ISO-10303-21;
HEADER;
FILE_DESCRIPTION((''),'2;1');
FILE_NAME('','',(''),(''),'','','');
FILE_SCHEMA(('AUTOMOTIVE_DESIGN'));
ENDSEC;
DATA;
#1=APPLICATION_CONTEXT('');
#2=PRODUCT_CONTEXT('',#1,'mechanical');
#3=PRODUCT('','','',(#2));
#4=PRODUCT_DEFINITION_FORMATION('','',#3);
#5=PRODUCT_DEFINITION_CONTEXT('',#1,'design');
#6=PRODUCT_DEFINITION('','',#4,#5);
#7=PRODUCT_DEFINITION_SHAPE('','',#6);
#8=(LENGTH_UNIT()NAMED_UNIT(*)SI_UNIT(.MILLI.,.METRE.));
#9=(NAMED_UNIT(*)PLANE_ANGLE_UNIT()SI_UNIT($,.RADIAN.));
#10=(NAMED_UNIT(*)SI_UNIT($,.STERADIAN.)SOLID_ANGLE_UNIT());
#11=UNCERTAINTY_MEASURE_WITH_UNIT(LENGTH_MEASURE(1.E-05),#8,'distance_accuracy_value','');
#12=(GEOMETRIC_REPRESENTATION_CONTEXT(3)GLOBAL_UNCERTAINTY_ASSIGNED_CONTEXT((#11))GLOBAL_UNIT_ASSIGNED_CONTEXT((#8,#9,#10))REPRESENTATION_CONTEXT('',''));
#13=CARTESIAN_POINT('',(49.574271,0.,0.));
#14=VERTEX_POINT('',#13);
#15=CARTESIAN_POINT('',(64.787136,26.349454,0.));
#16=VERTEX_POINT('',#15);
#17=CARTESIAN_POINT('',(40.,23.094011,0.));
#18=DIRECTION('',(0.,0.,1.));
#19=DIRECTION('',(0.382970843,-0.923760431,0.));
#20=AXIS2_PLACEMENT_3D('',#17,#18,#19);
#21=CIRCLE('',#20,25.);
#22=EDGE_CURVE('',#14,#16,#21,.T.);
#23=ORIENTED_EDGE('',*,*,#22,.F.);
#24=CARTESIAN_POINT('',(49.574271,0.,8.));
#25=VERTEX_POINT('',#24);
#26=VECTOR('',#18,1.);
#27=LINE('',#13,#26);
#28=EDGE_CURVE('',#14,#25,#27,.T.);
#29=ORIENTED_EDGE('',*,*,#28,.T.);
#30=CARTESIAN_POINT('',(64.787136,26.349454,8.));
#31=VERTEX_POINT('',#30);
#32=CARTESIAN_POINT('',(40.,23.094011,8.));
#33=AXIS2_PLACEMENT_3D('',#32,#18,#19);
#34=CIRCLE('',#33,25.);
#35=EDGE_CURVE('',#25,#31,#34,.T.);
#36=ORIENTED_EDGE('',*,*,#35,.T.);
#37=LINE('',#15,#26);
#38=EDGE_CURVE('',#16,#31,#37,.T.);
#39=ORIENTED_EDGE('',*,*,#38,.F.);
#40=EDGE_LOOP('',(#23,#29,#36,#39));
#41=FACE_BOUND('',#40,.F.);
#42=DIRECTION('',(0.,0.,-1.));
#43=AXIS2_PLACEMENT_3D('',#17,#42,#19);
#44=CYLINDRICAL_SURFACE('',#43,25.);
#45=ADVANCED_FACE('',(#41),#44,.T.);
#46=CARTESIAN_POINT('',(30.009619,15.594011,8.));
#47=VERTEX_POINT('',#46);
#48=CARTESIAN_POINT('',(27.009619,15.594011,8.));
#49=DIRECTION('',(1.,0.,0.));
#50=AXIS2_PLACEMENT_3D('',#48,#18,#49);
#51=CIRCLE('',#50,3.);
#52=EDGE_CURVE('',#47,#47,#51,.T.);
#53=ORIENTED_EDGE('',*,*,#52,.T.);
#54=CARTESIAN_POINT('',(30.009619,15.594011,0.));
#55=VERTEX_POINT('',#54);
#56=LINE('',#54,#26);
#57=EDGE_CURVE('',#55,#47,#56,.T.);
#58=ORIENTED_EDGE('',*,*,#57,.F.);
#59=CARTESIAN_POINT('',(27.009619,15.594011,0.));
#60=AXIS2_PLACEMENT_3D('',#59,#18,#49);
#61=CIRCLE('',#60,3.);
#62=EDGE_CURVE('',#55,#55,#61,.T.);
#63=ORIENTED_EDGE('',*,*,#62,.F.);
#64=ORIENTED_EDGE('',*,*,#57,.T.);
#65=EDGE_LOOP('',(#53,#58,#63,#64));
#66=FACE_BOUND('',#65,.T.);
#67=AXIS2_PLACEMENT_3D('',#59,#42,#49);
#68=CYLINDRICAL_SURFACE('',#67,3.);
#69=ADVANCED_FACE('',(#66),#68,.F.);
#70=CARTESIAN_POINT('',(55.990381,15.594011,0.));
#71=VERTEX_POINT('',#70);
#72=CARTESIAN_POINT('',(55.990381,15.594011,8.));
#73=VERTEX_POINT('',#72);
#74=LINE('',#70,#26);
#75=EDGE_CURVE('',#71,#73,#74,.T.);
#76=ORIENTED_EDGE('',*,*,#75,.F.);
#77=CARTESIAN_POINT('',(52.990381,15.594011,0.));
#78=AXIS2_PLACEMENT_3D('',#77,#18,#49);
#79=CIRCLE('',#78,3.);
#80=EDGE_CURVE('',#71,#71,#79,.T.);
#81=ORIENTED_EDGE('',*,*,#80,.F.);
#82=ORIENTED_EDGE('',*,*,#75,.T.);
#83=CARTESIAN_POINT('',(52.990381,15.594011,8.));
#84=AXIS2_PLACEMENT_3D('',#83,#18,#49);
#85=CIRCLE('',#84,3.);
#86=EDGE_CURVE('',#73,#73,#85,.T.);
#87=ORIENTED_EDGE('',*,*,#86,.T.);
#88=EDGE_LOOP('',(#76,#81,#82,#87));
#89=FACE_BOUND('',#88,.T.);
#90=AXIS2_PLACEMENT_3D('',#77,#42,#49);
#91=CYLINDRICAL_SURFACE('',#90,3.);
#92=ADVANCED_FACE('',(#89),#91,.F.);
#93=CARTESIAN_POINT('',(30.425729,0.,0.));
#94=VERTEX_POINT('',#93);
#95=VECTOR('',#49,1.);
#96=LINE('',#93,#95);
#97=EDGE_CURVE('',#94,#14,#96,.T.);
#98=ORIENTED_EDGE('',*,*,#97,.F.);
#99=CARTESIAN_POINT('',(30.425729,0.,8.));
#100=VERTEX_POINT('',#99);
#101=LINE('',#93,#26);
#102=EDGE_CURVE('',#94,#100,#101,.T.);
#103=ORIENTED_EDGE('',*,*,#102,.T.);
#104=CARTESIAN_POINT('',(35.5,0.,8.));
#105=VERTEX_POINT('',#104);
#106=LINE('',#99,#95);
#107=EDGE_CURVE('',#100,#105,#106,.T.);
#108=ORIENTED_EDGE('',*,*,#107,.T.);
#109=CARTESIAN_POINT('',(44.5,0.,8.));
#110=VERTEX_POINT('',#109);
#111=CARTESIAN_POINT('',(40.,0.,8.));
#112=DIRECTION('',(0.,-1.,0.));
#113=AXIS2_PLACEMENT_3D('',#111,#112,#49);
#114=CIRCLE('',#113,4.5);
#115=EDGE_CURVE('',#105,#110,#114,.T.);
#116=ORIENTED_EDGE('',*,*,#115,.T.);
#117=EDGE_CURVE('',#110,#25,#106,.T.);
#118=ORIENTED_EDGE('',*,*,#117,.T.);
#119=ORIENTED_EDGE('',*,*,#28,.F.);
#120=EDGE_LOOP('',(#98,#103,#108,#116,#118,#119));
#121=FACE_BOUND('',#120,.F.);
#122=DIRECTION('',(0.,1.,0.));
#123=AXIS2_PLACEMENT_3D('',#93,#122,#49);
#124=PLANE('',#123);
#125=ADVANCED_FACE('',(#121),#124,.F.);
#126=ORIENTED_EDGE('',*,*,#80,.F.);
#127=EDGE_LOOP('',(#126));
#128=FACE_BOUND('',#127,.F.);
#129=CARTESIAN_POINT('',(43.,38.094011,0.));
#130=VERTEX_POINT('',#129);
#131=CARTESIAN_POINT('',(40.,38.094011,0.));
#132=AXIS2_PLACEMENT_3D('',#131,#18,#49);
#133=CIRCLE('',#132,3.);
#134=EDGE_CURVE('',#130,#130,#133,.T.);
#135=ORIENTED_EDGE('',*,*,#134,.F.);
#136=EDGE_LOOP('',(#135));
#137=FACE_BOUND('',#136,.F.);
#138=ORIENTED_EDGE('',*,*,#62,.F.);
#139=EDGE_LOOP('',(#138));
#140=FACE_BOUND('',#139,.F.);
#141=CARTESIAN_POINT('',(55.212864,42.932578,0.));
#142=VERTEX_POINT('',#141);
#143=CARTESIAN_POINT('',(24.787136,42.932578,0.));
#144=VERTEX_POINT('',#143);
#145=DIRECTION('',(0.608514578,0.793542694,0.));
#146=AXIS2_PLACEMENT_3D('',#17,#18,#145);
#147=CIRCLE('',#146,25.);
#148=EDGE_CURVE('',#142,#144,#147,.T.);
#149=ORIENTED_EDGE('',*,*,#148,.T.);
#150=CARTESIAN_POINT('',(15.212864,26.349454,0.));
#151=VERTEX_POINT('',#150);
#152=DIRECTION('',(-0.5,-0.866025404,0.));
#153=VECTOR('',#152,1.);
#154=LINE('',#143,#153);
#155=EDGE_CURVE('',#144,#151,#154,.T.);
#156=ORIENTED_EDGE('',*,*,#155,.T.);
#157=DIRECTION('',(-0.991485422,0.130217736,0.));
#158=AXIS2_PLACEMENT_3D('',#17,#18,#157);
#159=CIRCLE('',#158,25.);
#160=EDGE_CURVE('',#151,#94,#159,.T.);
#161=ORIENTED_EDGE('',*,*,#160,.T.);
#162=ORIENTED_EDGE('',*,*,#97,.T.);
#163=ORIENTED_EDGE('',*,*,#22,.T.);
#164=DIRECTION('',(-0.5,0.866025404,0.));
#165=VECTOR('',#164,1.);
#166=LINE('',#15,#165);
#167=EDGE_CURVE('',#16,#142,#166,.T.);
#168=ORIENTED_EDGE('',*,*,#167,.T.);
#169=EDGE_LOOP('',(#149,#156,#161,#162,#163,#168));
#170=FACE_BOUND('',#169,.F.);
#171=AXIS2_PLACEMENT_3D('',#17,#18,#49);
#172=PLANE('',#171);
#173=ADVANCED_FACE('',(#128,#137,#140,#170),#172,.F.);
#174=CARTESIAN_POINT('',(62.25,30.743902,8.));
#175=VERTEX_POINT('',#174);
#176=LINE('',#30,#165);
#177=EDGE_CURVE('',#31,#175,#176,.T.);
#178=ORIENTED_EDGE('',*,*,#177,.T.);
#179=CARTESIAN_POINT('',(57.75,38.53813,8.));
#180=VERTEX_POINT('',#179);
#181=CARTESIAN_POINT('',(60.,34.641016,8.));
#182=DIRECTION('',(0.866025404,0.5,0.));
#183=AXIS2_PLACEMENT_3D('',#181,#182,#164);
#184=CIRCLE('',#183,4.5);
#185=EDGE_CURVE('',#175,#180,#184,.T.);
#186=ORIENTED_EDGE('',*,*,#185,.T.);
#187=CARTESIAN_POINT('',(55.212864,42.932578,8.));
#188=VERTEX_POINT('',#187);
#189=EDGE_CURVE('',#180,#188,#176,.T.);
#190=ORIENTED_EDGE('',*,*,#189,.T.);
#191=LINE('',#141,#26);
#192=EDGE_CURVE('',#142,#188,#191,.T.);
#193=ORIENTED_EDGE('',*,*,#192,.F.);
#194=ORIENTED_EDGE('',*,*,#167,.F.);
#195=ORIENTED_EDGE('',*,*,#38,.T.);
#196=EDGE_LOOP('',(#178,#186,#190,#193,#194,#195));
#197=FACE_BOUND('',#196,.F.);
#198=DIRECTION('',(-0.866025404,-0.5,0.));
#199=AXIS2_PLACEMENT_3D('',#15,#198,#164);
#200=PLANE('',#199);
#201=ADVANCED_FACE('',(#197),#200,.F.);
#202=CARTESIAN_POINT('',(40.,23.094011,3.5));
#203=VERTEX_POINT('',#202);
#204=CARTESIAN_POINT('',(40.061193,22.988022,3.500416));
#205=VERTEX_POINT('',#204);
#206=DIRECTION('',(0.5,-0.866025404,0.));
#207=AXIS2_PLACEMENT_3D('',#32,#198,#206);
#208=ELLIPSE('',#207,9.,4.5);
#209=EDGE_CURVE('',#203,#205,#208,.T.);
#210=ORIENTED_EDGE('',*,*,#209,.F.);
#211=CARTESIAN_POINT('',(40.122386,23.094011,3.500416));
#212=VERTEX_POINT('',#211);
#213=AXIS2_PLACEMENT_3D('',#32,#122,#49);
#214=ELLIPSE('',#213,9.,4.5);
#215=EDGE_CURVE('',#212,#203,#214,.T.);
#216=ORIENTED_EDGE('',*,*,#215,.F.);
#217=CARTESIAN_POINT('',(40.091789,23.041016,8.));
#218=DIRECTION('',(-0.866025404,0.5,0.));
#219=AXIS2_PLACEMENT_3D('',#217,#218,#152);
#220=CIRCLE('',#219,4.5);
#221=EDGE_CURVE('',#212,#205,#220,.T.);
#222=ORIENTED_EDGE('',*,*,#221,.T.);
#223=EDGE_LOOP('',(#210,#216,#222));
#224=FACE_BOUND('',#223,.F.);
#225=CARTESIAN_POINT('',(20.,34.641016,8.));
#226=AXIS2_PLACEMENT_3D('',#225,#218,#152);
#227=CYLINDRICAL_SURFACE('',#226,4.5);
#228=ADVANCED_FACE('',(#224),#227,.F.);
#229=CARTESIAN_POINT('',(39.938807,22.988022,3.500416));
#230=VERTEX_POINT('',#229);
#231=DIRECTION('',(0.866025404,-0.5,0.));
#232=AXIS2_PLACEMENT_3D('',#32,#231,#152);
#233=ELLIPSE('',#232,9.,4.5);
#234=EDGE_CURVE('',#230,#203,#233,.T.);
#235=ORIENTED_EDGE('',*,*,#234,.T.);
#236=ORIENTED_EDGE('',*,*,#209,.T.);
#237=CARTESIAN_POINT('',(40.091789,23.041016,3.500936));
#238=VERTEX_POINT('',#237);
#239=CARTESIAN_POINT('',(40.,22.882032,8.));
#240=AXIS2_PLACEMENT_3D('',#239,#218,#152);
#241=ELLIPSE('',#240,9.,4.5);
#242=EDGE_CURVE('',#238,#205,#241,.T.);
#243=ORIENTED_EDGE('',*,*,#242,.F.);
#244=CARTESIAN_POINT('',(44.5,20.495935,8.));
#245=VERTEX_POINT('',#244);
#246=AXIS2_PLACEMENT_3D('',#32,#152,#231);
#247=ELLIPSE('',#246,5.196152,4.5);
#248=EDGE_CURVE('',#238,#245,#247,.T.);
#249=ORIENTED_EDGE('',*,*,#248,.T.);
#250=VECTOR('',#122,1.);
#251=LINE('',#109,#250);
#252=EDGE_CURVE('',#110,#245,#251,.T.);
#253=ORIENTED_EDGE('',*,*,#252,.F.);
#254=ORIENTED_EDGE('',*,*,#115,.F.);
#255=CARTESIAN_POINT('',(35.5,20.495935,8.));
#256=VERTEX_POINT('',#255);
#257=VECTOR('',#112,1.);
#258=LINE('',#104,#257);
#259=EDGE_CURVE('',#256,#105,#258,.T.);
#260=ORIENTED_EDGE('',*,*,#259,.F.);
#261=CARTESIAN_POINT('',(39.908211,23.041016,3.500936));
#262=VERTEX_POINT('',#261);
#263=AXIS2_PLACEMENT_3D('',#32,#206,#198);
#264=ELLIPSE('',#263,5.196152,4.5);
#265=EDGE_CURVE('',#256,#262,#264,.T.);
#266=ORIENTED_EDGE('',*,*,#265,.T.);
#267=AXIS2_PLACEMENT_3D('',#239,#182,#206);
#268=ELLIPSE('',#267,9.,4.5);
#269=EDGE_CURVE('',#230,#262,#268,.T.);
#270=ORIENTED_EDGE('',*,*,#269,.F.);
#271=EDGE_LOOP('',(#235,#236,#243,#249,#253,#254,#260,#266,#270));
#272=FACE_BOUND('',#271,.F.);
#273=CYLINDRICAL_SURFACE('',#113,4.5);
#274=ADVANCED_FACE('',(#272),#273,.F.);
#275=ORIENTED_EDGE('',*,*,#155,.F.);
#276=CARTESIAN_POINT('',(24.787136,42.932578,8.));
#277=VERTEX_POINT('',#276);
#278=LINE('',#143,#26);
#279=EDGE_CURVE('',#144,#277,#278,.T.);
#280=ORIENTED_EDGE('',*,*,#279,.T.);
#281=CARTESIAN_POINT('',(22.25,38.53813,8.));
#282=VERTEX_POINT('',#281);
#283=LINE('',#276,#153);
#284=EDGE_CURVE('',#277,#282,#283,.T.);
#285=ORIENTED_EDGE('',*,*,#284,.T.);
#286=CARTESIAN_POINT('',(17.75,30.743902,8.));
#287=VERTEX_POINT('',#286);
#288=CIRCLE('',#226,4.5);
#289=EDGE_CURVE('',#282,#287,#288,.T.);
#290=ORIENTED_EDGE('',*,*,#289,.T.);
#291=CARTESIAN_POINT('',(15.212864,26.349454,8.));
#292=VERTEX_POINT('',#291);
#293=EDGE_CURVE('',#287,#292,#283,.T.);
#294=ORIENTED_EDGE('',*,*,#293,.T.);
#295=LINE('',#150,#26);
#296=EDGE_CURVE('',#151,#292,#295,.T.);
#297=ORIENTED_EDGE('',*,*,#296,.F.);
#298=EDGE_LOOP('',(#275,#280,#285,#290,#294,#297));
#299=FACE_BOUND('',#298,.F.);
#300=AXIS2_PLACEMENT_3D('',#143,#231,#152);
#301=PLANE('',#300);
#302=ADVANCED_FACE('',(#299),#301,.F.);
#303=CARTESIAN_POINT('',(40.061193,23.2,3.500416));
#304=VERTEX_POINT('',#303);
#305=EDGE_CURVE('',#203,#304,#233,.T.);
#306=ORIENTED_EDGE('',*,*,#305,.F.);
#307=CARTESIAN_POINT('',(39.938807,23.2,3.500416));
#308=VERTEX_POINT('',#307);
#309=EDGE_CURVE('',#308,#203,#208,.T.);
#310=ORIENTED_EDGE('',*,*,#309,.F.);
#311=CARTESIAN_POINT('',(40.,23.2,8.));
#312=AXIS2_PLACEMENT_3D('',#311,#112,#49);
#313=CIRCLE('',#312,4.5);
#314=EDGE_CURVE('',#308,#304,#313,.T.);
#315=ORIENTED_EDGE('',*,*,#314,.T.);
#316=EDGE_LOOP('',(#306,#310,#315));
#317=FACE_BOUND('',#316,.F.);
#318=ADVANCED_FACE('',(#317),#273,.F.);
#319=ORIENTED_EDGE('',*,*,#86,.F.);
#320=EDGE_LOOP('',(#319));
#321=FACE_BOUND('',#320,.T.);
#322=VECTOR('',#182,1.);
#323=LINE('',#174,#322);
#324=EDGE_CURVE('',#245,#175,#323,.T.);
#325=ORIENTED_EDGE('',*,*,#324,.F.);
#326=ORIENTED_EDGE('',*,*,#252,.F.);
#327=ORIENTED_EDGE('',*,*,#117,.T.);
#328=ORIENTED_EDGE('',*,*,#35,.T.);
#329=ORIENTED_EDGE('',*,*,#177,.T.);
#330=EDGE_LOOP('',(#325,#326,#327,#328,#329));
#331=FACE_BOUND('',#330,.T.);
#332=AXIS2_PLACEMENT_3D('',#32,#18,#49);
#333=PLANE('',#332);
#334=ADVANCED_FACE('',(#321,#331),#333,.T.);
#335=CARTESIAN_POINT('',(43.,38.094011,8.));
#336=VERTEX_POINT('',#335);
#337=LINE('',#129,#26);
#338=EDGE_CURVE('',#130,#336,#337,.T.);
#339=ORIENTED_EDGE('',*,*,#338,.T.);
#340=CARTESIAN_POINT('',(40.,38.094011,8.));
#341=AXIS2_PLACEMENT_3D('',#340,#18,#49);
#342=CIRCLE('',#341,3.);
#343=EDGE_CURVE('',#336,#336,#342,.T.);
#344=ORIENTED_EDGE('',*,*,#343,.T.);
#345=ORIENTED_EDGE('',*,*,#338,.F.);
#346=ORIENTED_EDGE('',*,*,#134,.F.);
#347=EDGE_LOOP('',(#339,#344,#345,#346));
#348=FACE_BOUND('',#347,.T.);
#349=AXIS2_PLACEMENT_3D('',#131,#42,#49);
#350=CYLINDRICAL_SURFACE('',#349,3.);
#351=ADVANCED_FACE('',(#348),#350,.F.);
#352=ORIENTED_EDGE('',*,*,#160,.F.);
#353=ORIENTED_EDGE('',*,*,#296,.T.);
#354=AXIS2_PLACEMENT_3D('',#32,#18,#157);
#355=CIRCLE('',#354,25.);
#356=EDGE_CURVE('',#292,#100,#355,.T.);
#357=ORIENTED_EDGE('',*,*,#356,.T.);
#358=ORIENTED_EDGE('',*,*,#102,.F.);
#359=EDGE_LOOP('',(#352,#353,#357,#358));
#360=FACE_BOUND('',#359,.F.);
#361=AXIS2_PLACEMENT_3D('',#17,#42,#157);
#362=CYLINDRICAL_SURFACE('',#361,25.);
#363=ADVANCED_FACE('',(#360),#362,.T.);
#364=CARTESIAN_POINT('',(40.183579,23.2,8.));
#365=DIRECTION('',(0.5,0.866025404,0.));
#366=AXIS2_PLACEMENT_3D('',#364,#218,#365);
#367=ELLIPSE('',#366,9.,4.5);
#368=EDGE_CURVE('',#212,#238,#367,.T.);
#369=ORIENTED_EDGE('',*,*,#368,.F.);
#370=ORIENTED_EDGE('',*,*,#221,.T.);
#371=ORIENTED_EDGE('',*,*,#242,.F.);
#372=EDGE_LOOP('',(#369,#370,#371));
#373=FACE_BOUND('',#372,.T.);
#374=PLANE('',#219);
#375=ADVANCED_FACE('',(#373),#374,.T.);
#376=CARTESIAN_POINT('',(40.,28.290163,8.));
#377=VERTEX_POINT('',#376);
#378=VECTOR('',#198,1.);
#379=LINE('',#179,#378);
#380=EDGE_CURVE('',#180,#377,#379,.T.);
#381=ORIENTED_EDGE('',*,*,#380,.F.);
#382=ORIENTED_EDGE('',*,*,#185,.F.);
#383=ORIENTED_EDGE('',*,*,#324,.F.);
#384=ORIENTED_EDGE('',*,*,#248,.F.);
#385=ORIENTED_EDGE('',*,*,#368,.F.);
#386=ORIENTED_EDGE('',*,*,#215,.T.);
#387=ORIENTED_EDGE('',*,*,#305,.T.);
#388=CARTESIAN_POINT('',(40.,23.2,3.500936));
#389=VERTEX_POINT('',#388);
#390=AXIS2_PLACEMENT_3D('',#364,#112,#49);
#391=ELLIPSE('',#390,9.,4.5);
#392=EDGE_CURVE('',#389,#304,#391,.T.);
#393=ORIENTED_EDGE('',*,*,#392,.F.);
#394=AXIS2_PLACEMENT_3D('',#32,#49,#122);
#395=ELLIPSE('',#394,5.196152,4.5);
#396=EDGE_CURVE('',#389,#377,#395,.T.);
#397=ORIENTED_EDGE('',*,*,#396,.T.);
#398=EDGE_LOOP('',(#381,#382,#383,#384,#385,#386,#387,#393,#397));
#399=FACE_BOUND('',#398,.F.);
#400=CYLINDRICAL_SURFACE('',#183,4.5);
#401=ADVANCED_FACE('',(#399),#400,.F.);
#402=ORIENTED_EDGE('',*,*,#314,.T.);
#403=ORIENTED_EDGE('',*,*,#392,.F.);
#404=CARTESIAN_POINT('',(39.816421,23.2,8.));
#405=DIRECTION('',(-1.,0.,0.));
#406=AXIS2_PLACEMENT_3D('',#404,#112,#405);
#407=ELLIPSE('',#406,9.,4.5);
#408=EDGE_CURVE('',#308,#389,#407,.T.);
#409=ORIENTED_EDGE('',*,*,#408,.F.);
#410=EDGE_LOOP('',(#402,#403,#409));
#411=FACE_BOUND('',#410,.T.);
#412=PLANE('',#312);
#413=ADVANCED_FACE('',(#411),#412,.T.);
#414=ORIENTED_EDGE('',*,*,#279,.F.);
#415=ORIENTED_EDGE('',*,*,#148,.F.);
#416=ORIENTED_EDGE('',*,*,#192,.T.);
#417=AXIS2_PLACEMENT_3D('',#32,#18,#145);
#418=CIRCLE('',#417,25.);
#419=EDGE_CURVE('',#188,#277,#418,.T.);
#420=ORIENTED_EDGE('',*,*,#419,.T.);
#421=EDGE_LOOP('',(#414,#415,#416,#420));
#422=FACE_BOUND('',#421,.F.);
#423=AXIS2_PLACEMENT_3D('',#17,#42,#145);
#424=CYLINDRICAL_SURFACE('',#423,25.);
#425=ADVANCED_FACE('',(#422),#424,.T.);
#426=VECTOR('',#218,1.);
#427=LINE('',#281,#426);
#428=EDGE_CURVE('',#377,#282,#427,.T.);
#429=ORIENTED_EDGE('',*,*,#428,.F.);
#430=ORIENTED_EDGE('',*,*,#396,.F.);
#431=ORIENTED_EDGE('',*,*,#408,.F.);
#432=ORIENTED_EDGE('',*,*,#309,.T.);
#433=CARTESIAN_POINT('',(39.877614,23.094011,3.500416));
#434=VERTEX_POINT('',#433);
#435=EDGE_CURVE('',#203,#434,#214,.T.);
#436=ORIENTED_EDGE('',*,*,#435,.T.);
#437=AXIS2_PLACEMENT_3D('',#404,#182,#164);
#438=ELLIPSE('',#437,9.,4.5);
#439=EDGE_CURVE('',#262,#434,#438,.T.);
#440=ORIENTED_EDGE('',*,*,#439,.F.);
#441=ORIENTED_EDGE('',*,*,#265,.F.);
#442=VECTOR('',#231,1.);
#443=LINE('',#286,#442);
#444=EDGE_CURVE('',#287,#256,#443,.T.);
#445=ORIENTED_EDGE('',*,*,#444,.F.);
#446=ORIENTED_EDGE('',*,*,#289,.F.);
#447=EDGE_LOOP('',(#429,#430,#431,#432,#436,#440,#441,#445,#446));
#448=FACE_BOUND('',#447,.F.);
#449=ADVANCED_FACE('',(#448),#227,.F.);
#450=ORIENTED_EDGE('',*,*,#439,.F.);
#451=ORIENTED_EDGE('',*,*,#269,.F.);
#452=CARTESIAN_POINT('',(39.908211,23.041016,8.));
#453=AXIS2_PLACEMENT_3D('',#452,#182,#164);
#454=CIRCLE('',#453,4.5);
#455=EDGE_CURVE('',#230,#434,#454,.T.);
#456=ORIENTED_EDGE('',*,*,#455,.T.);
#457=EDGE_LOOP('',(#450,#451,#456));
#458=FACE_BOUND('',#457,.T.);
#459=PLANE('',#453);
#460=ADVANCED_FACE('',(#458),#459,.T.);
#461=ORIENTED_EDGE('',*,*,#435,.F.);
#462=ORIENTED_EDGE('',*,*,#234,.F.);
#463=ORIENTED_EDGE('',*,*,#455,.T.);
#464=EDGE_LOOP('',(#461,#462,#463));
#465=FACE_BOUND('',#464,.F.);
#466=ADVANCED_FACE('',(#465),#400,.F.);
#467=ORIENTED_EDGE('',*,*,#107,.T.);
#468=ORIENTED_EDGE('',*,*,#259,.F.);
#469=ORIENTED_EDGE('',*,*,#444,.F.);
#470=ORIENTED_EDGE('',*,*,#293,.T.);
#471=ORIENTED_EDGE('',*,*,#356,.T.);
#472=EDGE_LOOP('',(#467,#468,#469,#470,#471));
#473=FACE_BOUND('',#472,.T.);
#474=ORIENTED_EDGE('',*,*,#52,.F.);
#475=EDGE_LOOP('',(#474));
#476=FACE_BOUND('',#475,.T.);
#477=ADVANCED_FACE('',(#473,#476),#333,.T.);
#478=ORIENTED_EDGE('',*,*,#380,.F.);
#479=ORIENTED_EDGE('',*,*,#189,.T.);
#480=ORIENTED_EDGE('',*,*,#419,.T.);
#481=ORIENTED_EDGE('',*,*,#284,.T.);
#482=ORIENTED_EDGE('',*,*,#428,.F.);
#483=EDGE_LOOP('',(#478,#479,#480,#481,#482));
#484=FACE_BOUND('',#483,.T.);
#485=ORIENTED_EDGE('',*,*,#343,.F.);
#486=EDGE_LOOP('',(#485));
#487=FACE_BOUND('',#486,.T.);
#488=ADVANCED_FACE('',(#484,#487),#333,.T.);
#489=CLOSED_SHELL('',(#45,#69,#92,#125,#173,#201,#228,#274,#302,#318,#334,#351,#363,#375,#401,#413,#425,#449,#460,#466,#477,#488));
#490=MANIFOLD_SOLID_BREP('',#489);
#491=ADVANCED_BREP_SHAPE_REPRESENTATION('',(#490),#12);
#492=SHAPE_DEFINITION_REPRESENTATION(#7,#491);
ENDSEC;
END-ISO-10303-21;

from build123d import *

# Parameters (mm, degrees)
F0_R     = 3
F1_DEPTH = 8
F2_R     = 4.5
F3_DEPTH = 23.2
F4_R     = 4.5
F5_DEPTH = 23.2
F6_R     = 4.5
F7_DEPTH = 23.2


with BuildPart() as f1:
    # F0 (on Top) → F1 (new body)
    with BuildSketch(Plane.XY):
        with BuildLine():
            Line((24.7871355388, 42.9325781273), (15.2128644612, 26.3494541755))
            ThreePointArc((15.2128644612, 26.3494541755), (18.3493649054, 10.5940107676), (30.4257289224, 0))
            Line((30.4257289224, 0), (49.5742710776, 0))
            ThreePointArc((49.5742710776, 0), (61.6506350946, 10.5940107676), (64.7871355388, 26.3494541755))
            Line((64.7871355388, 26.3494541755), (55.2128644612, 42.9325781273))
            ThreePointArc((55.2128644612, 42.9325781273), (40, 48.0940107676), (24.7871355388, 42.9325781273))
        make_face()
        with Locations((27.0096189432, 15.5940107676)):
            Circle(F0_R, mode=Mode.SUBTRACT)
        with Locations((52.9903810568, 15.5940107676)):
            Circle(F0_R, mode=Mode.SUBTRACT)
        with Locations((40, 38.0940107676)):
            Circle(F0_R, mode=Mode.SUBTRACT)
    extrude(amount=F1_DEPTH)

    # F2 (on face) → F3 (cut)
    with BuildSketch(Plane.XZ):
        with Locations((40, 8)):
            Circle(F2_R)
    extrude(amount=-F3_DEPTH, mode=Mode.SUBTRACT)

    # F4 (on face) → F5 (cut)
    with BuildSketch(Plane(origin=(60, 34.6410161514, 0), x_dir=(-0.5, 0.8660254038, 0), z_dir=(0.8660254038, 0.5, 0))):
        with Locations((0, 8)):
            Circle(F4_R)
    extrude(amount=-F5_DEPTH, mode=Mode.SUBTRACT)

    # F6 (on face) → F7 (cut)
    with BuildSketch(Plane(origin=(0, 0, 0), x_dir=(-0.5, -0.8660254038, 0), z_dir=(-0.8660254038, 0.5, 0))):
        with Locations((-40, 8)):
            Circle(F6_R)
    extrude(amount=-F7_DEPTH, mode=Mode.SUBTRACT)


solid = f1.part
